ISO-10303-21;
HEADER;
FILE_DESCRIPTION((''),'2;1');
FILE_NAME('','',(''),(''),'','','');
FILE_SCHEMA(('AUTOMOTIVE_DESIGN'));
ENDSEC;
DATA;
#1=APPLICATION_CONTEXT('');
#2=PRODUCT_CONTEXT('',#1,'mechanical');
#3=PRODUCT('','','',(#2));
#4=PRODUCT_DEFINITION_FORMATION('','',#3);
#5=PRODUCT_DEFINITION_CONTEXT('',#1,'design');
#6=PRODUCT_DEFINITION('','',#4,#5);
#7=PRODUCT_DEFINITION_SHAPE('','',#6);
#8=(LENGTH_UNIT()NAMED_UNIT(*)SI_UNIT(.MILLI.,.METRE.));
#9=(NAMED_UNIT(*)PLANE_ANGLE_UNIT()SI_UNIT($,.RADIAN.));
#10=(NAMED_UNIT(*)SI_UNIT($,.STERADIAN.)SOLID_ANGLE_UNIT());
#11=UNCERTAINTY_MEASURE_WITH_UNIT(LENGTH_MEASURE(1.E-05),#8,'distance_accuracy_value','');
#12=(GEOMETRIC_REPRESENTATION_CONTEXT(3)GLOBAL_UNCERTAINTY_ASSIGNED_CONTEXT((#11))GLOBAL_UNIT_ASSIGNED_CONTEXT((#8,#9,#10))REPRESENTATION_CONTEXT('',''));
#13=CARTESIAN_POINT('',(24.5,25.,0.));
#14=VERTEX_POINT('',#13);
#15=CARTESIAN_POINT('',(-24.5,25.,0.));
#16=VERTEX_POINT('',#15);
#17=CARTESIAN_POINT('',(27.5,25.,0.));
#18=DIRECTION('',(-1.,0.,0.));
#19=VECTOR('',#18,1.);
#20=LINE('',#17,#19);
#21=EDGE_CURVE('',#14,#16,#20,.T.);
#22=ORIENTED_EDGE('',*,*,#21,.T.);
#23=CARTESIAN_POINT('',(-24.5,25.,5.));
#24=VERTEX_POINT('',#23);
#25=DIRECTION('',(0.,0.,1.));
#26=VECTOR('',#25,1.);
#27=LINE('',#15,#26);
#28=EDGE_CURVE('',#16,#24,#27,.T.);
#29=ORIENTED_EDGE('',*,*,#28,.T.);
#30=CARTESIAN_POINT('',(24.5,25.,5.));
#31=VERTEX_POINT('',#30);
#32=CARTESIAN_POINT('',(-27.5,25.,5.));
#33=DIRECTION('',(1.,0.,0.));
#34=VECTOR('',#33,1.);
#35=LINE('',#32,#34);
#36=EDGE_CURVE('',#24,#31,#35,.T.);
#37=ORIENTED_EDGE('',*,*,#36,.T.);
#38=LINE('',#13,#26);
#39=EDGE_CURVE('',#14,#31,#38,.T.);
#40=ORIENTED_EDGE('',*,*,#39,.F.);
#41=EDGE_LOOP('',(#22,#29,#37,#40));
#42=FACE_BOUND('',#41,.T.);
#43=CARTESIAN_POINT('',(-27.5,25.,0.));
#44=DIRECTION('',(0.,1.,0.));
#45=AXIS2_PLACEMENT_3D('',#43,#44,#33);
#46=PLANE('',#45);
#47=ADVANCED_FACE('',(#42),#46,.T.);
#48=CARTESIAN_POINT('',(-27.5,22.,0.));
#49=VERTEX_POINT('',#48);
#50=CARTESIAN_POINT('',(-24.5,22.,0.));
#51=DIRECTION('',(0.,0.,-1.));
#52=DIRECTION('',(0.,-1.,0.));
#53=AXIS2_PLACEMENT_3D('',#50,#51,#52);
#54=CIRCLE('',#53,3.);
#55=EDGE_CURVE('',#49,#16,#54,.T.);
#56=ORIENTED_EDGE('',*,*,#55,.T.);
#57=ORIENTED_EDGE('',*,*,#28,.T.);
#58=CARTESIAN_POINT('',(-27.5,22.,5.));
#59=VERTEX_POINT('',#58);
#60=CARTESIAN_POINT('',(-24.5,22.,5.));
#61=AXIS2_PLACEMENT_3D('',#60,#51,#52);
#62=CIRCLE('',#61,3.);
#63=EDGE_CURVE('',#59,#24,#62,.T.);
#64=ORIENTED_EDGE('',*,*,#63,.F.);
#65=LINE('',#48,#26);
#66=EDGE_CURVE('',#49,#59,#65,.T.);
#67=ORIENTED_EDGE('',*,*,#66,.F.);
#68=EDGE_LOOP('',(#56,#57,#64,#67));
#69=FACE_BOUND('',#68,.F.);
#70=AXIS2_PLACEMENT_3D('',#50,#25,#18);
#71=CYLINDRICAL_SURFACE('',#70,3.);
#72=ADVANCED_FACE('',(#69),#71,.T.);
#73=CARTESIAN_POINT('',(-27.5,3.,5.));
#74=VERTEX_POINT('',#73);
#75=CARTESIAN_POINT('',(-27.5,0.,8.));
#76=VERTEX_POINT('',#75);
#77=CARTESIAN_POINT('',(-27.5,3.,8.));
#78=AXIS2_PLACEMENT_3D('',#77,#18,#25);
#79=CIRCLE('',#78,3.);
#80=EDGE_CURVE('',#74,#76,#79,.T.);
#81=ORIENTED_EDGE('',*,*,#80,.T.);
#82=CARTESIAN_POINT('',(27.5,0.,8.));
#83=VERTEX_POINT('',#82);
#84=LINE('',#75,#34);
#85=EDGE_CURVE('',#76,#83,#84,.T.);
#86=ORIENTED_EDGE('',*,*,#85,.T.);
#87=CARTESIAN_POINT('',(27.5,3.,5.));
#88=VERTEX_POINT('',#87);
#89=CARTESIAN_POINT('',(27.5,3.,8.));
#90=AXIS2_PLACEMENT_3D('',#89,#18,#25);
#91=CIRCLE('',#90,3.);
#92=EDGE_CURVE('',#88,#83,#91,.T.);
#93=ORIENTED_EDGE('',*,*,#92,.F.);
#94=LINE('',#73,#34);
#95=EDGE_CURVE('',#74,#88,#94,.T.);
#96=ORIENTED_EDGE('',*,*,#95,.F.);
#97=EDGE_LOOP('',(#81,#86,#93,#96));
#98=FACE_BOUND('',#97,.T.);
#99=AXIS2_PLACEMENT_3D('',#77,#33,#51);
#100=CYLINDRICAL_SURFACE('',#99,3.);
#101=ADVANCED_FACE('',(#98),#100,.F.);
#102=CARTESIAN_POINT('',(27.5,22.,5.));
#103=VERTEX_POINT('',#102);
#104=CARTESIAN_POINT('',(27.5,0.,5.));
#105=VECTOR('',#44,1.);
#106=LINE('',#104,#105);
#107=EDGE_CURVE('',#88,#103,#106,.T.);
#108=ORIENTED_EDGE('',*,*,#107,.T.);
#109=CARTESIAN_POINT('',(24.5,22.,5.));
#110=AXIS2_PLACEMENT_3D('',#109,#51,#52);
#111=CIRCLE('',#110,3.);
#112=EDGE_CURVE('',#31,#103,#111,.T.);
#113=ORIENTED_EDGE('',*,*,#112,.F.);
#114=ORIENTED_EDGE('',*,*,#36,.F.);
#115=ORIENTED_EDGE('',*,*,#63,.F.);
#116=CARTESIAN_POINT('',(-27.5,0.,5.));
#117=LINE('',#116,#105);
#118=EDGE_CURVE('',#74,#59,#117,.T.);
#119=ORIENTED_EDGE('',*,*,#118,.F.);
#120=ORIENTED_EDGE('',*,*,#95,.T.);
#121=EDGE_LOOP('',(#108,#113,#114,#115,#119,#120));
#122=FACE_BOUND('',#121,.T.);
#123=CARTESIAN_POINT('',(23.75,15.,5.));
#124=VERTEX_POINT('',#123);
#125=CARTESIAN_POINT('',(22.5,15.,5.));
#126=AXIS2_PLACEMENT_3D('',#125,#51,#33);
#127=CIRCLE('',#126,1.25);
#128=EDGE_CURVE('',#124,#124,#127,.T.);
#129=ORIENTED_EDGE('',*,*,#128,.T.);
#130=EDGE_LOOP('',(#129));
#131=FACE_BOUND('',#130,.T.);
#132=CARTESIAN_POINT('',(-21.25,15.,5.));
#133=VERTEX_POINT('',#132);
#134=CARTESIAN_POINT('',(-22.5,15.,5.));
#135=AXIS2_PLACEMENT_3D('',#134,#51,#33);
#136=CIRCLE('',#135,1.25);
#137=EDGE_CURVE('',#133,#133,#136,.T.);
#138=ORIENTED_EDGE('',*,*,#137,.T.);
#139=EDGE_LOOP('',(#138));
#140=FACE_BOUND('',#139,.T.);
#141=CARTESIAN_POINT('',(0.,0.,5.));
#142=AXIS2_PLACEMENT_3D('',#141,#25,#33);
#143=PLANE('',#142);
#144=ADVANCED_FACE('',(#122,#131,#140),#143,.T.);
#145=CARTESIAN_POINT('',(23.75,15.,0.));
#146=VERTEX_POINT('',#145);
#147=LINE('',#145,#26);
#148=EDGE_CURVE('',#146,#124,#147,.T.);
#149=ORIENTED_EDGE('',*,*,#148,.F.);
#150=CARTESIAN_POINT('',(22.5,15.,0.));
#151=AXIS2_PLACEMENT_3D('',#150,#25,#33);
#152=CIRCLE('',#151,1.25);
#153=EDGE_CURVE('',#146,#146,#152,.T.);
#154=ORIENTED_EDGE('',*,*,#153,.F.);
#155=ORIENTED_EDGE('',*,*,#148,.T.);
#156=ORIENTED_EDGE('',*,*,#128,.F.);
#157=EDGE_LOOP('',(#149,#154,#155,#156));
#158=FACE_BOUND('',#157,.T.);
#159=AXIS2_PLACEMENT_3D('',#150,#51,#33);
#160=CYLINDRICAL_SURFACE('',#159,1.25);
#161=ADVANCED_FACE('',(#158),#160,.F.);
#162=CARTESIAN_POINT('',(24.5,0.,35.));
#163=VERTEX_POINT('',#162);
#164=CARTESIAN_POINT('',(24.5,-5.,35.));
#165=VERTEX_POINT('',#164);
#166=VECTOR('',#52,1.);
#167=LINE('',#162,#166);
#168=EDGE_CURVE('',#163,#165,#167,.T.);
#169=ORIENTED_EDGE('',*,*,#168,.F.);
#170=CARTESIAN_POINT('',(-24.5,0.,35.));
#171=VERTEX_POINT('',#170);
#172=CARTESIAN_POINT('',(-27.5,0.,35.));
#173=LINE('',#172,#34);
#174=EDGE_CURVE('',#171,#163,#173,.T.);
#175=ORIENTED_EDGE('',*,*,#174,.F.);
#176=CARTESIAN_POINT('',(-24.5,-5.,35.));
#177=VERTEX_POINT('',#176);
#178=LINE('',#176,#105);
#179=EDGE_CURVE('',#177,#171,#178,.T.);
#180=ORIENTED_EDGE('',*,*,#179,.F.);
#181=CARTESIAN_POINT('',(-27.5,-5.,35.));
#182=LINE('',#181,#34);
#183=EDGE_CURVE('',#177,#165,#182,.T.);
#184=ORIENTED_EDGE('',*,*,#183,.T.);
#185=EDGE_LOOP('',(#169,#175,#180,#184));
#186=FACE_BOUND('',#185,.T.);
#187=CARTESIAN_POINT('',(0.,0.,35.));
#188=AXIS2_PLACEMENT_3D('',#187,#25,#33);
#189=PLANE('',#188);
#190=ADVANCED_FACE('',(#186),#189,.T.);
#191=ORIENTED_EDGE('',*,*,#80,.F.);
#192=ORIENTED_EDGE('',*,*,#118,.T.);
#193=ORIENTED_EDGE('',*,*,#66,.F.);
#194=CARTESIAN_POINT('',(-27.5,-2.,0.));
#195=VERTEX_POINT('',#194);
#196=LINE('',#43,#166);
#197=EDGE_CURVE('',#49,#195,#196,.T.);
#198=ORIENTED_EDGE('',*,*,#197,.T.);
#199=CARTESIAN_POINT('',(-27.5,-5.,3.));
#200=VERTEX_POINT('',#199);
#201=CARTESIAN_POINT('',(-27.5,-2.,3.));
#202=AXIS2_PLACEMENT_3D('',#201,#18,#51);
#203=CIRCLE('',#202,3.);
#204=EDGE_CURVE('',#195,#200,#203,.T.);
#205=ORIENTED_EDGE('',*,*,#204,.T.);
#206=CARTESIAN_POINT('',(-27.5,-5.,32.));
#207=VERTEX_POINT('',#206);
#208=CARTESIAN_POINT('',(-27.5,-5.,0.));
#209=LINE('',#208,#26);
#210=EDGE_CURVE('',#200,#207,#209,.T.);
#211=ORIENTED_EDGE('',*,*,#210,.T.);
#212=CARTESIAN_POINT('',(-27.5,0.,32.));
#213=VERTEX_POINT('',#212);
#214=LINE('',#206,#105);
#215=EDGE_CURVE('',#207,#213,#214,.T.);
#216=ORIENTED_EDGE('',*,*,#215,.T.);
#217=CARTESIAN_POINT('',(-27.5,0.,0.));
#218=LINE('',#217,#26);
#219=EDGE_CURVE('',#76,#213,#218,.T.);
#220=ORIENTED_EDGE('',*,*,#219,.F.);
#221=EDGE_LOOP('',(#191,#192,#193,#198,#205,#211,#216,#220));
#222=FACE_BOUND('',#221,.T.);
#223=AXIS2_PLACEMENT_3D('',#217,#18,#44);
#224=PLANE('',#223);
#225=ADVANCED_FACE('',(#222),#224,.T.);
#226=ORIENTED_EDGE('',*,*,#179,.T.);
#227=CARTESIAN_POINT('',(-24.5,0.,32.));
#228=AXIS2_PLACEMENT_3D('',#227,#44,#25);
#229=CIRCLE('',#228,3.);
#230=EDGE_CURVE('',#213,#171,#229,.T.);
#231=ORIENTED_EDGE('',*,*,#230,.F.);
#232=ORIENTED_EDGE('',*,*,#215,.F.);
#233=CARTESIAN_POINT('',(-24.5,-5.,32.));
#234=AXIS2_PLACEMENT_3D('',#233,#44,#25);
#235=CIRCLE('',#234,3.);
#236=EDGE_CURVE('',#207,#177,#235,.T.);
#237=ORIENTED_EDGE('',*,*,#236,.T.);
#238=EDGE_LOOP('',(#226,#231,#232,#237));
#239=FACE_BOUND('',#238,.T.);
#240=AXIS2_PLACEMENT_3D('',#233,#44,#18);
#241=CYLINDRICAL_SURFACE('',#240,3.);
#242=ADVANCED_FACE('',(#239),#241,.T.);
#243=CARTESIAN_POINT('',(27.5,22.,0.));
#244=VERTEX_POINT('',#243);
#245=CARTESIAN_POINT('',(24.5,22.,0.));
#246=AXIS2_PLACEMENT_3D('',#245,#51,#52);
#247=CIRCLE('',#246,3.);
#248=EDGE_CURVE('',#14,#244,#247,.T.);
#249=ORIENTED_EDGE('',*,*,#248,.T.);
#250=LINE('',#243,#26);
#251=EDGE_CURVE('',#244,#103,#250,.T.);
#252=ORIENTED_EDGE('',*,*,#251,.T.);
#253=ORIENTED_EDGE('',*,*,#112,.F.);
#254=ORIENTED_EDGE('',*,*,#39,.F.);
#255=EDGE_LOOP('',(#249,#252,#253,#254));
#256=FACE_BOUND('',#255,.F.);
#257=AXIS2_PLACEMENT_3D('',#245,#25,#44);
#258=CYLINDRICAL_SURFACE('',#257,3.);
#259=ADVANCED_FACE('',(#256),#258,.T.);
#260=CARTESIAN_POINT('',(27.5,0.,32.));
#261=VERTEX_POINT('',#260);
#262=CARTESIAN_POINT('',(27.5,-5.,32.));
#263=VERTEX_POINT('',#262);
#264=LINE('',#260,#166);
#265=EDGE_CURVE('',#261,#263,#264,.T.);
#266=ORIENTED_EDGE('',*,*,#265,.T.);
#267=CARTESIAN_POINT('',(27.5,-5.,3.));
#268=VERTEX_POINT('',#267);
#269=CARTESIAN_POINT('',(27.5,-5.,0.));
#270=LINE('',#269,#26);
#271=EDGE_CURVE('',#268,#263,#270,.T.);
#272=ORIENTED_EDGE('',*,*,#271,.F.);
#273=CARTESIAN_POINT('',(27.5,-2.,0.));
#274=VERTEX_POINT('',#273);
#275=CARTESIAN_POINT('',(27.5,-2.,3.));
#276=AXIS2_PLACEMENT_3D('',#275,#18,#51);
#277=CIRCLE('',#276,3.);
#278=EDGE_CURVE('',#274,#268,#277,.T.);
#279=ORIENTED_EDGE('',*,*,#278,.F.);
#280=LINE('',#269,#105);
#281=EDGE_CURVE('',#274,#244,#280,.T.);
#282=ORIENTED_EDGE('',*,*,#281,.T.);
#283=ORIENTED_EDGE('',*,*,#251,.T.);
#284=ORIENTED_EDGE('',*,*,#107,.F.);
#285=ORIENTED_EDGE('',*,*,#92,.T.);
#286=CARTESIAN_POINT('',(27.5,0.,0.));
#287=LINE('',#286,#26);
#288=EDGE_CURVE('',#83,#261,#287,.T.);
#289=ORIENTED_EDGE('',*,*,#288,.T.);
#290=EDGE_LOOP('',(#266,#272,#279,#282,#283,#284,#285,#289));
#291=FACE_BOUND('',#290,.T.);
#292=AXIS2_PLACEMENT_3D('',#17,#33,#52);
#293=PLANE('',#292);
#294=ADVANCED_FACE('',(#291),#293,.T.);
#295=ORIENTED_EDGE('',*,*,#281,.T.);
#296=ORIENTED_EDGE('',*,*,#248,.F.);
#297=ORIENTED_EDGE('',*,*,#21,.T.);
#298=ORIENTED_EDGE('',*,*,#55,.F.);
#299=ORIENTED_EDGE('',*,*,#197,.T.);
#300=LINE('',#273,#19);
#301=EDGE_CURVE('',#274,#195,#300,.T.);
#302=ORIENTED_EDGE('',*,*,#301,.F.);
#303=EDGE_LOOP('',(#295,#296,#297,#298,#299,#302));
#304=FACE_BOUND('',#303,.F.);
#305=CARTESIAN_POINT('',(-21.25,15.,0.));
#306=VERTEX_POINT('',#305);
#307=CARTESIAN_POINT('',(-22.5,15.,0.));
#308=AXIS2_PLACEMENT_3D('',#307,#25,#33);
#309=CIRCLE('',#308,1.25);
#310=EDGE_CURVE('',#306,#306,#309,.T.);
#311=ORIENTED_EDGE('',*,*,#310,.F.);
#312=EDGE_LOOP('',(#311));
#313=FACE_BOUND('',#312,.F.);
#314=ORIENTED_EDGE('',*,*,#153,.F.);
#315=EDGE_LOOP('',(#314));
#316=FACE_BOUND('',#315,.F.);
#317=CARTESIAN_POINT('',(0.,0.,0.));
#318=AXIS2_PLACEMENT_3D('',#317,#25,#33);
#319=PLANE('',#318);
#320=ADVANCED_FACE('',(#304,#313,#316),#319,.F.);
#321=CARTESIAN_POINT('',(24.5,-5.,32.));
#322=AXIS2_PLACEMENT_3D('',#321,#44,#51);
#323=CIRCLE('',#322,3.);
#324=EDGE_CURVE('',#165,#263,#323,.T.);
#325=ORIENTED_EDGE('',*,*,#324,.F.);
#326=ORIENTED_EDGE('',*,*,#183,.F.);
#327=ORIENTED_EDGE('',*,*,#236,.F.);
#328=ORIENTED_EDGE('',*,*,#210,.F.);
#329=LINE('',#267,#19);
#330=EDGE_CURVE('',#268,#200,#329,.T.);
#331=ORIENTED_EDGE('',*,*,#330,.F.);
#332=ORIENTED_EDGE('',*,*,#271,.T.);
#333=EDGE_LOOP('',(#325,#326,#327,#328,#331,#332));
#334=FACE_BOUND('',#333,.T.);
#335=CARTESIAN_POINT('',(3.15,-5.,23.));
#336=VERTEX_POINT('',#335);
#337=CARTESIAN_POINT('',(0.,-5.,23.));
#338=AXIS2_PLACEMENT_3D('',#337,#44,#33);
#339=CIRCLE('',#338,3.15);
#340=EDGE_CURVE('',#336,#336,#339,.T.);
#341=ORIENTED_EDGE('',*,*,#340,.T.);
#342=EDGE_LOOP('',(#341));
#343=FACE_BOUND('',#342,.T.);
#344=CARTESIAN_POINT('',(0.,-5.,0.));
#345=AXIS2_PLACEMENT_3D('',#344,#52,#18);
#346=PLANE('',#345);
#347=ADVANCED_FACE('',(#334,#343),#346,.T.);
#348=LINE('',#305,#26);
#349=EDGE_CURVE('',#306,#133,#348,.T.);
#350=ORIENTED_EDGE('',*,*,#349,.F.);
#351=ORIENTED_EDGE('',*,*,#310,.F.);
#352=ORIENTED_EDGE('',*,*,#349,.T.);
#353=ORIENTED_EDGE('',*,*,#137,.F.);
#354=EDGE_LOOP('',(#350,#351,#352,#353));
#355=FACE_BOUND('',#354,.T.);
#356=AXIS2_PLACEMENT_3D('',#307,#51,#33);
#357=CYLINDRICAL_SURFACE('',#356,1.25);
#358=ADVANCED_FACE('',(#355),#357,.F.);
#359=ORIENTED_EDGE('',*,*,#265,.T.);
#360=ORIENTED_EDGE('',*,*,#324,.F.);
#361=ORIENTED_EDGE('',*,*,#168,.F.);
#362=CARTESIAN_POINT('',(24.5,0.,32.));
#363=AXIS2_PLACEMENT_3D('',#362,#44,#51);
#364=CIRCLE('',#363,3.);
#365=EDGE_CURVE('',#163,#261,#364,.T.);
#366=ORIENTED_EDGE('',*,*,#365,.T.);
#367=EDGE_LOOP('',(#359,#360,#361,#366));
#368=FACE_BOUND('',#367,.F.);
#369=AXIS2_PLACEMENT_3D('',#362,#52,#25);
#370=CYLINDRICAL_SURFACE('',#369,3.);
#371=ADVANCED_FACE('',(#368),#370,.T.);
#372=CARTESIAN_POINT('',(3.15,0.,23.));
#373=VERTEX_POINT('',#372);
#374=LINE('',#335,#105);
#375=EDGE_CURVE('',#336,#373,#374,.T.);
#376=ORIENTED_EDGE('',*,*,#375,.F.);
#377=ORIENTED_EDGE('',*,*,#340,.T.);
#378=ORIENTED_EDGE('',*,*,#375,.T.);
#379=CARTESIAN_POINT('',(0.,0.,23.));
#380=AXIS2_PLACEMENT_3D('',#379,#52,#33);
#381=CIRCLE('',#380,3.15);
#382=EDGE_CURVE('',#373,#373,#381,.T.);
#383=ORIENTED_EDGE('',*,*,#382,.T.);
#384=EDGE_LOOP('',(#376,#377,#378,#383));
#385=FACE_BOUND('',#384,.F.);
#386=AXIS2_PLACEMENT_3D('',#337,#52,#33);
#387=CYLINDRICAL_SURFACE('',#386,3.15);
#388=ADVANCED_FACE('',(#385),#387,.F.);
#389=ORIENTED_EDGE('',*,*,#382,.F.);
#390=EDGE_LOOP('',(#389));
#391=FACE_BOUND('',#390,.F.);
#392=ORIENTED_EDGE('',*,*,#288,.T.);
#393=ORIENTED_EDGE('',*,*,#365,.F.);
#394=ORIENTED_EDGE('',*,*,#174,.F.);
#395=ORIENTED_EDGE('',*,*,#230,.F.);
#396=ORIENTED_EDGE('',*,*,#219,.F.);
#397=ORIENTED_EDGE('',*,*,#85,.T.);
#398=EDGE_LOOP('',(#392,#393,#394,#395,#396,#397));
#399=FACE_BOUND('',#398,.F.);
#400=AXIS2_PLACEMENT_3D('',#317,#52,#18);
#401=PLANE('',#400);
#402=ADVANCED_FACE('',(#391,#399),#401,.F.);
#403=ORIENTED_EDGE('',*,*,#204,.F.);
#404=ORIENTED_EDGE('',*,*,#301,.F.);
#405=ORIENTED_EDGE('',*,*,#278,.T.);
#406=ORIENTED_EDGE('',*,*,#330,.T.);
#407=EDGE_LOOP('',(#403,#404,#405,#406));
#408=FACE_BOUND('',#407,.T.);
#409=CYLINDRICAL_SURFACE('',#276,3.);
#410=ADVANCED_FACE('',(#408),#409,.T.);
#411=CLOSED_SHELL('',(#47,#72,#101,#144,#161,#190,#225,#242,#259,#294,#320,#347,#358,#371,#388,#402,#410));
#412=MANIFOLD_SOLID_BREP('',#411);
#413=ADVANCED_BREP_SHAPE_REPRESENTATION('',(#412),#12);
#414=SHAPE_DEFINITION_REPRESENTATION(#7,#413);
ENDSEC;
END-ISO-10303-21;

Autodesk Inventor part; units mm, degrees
ref_plane "YZ Plane" through (0, 0, 0) normal (1, 0, 0) x (0, 1, 0)
ref_plane "XZ Plane" through (0, 0, 0) normal (0, 1, 0) x (-1, 0, 0)
ref_plane "XY Plane" through (0, 0, 0) normal (0, 0, 1) x (1, 0, 0)
sketch "スケッチ1" plane through (0, 0, 0) normal (0, 0, 1) x (1, 0, 0)
  line L0 (-27.5, 25) -> (27.5, 25)
  line L1 (27.5, 25) -> (27.5, 0)
  line L2 (27.5, 0) -> (-27.5, 0)
  line L3 (-27.5, 0) -> (-27.5, 25)
  line L4 (-27.5, 0) -> (27.5, 0)
  line L5 (27.5, 0) -> (27.5, -5)
  line L6 (27.5, -5) -> (-27.5, -5)
  line L7 (-27.5, -5) -> (-27.5, 0)
  circle A0 centre (-22.5, 15) radius 1.25
  line L8 (-27.3778, 15) -> (27.6222, 15)
  line L9 (0, 25) -> (0, -5)
  circle A1 centre (22.5, 15) radius 1.25
  point P0 (0, 0)
  point P1 (0, 0)
  point P2 (0, 0)
  dimension "d0" = 25
  dimension "d1" = 55
  dimension "d2" = 5
  dimension "d4" = 22.5
  dimension "d5" = 2.5
  dimension "d17" = 10
extrude "押し出し1" add sketch "スケッチ1" along normal blind 5 contours L0 L9 L2 L3 | L0 L1 L8 A1 L9 | L8 A1 L1 L2 L9
extrude "押し出し2" add sketch "スケッチ1" along normal blind 35 contours L2 L9 L6 L7 | L2 L5 L6 L9
sketch "スケッチ2" plane through (-27.5, -5, 0) normal (0, -1, 0) x (1, 0, 0)
  line L0 (0, 35) -> (55, 35) projected
  line L1 (54.9263, 23) -> (-0.0737, 23)
  line L2 (27.5, 35) -> (27.5, 0)
  circle A0 centre (27.5, 23) radius 3.15
  dimension "d15" = 6.3
  dimension "d18" = 12
extrude "押し出し3" cut sketch "スケッチ2" against normal blind 30
fillet "フィレット1" radius 3 2 edges at (0, -5, 0) (0, 0, 5)
fillet "フィレット2" radius 3 4 edges at (27.5, -2.5, 35) (-27.5, -2.5, 35) (27.5, 25, 2.5) (-27.5, 25, 2.5)
equation "\"BendRadius\" = Thickness"
equation "\"BendReliefWidth\" = Thickness"
equation "\"BendReliefDepth\" = 0.5 * Thickness"
equation "\"CornerReliefSize\" = 4 * Thickness"
equation "\"MinimumRemnant\" = 2 * Thickness"
equation "\"TransitionRadius\" = BendRadius"
equation "\"JacobiRadiusSize\" = BendRadius"
equation "\"GapSize\" = Thickness"
equation "\"Thickness\" = 0.5"
